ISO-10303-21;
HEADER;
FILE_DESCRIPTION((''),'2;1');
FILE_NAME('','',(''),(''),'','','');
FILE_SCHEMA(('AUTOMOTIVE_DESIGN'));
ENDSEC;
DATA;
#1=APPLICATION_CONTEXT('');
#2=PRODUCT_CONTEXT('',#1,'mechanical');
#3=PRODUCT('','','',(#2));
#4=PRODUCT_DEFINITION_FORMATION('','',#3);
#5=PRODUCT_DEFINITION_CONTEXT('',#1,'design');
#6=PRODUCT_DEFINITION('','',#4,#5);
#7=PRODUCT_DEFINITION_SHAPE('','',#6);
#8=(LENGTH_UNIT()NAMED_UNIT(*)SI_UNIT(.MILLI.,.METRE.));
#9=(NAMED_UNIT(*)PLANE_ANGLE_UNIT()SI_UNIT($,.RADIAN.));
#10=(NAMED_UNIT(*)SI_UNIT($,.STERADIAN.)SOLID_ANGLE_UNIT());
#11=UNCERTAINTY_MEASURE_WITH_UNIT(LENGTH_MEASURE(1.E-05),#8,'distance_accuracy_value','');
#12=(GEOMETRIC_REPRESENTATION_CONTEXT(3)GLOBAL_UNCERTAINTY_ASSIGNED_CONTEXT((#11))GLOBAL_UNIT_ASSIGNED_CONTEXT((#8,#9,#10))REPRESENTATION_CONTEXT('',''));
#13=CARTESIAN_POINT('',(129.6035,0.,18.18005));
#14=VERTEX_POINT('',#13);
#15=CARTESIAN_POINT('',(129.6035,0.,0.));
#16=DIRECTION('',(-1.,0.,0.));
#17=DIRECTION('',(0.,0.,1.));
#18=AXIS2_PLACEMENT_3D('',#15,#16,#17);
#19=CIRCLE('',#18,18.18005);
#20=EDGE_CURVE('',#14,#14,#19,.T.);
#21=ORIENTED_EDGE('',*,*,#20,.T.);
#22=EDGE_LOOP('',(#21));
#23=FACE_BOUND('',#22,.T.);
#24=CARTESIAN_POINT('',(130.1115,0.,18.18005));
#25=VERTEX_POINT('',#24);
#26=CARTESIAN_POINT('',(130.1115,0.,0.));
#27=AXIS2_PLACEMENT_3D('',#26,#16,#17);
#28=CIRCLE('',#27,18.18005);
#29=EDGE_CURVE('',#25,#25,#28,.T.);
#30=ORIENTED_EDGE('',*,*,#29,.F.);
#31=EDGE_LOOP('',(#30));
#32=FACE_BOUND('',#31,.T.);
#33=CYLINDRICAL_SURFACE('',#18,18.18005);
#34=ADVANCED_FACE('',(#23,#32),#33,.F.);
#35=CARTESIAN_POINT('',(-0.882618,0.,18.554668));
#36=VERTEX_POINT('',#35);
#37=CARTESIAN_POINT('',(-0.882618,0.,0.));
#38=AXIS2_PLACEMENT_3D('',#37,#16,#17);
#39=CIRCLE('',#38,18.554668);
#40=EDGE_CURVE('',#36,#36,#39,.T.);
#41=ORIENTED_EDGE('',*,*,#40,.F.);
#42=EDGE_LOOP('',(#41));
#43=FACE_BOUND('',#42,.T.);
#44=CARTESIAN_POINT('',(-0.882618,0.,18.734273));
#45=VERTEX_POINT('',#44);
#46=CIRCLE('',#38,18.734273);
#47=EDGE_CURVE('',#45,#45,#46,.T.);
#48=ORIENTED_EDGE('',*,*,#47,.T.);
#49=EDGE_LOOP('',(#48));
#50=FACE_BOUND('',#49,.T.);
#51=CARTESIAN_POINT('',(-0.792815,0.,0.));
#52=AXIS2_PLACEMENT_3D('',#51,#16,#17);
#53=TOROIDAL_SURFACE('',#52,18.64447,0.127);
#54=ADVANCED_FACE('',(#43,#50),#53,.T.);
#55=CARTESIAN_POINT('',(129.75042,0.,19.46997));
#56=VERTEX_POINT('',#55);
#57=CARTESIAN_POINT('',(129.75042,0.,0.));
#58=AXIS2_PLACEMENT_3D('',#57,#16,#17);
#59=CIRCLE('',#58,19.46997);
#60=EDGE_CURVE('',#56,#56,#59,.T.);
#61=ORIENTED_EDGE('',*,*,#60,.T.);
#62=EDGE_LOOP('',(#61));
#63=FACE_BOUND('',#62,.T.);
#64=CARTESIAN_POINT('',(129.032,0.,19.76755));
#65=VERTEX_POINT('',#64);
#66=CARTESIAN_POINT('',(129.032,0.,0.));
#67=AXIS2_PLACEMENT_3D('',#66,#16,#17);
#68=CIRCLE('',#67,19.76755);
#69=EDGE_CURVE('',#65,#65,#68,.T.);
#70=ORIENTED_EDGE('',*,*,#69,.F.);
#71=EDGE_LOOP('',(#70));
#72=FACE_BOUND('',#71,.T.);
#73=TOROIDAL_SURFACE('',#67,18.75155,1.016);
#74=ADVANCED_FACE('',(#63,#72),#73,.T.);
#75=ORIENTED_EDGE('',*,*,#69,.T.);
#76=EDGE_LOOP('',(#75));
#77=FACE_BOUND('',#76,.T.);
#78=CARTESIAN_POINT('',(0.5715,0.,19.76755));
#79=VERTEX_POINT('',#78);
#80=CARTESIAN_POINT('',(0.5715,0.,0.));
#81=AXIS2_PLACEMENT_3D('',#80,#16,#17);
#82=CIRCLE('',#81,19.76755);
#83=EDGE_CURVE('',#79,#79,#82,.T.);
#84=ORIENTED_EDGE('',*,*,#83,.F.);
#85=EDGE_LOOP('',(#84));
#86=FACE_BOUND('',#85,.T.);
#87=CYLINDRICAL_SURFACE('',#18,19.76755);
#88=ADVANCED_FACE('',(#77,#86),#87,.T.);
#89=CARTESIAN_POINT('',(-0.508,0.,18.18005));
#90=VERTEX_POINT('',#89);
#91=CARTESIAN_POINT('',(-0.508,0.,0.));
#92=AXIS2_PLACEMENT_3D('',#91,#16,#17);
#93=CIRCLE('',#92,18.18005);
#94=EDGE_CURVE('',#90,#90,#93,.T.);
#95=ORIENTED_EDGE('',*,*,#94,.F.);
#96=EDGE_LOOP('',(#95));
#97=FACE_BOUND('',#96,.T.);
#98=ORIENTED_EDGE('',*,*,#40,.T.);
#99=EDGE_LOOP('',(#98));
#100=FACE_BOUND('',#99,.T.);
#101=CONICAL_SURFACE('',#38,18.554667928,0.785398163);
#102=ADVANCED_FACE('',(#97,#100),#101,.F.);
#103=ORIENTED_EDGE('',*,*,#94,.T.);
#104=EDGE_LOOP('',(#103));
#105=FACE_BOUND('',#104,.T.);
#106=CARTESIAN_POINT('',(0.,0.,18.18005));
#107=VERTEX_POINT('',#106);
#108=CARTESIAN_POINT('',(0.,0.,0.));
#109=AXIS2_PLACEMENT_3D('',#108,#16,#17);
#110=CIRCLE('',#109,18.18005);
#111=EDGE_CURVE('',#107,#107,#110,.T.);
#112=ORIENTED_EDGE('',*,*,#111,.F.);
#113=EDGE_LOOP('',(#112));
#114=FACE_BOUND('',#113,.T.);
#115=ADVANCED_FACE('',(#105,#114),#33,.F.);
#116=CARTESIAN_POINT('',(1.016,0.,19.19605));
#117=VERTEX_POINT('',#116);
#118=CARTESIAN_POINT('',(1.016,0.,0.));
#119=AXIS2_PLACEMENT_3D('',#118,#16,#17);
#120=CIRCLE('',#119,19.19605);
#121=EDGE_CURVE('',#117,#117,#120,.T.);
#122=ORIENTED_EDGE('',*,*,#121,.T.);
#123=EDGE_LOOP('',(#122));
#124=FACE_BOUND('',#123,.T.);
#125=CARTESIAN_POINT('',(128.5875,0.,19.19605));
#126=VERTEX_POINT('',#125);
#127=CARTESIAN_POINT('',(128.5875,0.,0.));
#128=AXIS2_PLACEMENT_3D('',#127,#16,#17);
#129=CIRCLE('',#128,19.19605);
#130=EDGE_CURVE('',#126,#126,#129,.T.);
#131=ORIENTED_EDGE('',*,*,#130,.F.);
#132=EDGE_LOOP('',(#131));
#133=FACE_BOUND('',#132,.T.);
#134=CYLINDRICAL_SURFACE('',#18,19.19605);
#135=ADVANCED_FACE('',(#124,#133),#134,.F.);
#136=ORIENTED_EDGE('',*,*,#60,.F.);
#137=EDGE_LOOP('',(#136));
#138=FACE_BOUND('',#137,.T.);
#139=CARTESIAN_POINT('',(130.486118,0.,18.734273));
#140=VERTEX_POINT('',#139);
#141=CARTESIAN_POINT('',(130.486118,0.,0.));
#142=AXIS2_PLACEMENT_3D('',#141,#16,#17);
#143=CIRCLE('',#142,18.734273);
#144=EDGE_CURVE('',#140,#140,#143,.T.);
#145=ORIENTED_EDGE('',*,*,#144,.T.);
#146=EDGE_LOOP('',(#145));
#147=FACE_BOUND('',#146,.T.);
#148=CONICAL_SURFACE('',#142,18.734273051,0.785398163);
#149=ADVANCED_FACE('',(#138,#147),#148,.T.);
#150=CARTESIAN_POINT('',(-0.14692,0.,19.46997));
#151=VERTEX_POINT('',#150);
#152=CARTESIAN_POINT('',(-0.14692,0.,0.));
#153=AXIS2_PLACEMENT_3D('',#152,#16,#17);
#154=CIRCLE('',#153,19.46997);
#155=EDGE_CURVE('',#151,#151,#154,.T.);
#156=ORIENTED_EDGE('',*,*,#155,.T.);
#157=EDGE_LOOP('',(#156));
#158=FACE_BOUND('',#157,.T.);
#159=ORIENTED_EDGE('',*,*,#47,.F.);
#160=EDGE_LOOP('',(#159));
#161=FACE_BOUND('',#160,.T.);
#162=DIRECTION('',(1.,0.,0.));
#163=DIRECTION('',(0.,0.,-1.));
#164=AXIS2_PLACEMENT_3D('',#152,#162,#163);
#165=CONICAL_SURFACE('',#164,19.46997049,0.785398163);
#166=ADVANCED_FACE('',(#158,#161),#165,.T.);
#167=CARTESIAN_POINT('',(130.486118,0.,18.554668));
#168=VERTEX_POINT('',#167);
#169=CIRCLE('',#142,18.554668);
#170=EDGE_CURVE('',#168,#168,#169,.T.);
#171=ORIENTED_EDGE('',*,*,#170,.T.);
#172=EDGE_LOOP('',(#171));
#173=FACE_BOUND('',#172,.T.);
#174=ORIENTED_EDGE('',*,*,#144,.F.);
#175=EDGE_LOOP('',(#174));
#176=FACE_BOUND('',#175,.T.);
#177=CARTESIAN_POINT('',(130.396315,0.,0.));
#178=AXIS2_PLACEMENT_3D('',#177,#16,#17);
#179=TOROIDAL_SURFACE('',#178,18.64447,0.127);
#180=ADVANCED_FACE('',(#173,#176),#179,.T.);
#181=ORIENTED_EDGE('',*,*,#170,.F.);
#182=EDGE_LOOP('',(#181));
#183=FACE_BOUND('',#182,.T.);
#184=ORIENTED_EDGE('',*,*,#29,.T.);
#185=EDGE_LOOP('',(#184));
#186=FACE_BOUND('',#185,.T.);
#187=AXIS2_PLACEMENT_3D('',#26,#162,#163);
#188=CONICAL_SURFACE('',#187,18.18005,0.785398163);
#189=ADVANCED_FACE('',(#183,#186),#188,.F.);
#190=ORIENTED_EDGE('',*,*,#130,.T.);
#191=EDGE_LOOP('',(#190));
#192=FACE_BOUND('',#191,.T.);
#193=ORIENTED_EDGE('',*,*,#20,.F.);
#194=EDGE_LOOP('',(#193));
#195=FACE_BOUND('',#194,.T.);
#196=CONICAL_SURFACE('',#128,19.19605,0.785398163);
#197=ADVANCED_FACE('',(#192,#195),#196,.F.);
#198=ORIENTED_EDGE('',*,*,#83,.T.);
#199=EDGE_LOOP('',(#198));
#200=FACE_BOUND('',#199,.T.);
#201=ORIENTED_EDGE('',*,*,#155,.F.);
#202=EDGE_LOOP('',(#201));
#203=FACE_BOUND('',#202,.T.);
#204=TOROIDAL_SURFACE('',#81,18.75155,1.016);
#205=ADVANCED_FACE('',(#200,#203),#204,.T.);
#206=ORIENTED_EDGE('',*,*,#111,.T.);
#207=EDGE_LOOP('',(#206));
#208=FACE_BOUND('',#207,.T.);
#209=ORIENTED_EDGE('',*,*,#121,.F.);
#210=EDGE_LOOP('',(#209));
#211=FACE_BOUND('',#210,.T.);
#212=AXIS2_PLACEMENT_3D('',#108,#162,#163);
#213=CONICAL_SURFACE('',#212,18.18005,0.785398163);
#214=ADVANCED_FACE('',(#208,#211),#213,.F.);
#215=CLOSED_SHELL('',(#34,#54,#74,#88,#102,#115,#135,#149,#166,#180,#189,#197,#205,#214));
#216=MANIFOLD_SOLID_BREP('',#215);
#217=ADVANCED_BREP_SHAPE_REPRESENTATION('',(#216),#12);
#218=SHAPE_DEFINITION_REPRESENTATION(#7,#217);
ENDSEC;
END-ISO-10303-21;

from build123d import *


with BuildPart() as part:
    # Sketch1 → Revolve1 (revolve)
    with BuildSketch(Plane.XY):
        with BuildLine():
            Line((-0.882617928, 18.554667928), (-0.508, 18.18005))
            Line((-0.508, 18.18005), (0, 18.18005))
            Line((0, 18.18005), (1.016, 19.19605))
            Line((1.016, 19.19605), (128.5875, 19.19605))
            Line((128.5875, 19.19605), (129.6035, 18.18005))
            Line((129.6035, 18.18005), (130.1115, 18.18005))
            Line((130.1115, 18.18005), (130.486117928, 18.554667928))
            ThreePointArc((130.486117928, 18.554667928), (130.523315367, 18.64447049), (130.486117928, 18.734273051))
            Line((130.486117928, 18.734273051), (129.75042049, 19.46997049))
            ThreePointArc((129.75042049, 19.46997049), (129.420806367, 19.690211605), (129.032, 19.76755))
            Line((129.032, 19.76755), (0.5715, 19.76755))
            ThreePointArc((0.5715, 19.76755), (0.182693633, 19.690211605), (-0.14692049, 19.46997049))
            Line((-0.14692049, 19.46997049), (-0.882617928, 18.734273051))
            ThreePointArc((-0.882617928, 18.734273051), (-0.919815367, 18.64447049), (-0.882617928, 18.554667928))
        make_face()
    revolve(axis=Axis((129.6035, 0, 0), (-1, 0, 0)))


solid = part.part
